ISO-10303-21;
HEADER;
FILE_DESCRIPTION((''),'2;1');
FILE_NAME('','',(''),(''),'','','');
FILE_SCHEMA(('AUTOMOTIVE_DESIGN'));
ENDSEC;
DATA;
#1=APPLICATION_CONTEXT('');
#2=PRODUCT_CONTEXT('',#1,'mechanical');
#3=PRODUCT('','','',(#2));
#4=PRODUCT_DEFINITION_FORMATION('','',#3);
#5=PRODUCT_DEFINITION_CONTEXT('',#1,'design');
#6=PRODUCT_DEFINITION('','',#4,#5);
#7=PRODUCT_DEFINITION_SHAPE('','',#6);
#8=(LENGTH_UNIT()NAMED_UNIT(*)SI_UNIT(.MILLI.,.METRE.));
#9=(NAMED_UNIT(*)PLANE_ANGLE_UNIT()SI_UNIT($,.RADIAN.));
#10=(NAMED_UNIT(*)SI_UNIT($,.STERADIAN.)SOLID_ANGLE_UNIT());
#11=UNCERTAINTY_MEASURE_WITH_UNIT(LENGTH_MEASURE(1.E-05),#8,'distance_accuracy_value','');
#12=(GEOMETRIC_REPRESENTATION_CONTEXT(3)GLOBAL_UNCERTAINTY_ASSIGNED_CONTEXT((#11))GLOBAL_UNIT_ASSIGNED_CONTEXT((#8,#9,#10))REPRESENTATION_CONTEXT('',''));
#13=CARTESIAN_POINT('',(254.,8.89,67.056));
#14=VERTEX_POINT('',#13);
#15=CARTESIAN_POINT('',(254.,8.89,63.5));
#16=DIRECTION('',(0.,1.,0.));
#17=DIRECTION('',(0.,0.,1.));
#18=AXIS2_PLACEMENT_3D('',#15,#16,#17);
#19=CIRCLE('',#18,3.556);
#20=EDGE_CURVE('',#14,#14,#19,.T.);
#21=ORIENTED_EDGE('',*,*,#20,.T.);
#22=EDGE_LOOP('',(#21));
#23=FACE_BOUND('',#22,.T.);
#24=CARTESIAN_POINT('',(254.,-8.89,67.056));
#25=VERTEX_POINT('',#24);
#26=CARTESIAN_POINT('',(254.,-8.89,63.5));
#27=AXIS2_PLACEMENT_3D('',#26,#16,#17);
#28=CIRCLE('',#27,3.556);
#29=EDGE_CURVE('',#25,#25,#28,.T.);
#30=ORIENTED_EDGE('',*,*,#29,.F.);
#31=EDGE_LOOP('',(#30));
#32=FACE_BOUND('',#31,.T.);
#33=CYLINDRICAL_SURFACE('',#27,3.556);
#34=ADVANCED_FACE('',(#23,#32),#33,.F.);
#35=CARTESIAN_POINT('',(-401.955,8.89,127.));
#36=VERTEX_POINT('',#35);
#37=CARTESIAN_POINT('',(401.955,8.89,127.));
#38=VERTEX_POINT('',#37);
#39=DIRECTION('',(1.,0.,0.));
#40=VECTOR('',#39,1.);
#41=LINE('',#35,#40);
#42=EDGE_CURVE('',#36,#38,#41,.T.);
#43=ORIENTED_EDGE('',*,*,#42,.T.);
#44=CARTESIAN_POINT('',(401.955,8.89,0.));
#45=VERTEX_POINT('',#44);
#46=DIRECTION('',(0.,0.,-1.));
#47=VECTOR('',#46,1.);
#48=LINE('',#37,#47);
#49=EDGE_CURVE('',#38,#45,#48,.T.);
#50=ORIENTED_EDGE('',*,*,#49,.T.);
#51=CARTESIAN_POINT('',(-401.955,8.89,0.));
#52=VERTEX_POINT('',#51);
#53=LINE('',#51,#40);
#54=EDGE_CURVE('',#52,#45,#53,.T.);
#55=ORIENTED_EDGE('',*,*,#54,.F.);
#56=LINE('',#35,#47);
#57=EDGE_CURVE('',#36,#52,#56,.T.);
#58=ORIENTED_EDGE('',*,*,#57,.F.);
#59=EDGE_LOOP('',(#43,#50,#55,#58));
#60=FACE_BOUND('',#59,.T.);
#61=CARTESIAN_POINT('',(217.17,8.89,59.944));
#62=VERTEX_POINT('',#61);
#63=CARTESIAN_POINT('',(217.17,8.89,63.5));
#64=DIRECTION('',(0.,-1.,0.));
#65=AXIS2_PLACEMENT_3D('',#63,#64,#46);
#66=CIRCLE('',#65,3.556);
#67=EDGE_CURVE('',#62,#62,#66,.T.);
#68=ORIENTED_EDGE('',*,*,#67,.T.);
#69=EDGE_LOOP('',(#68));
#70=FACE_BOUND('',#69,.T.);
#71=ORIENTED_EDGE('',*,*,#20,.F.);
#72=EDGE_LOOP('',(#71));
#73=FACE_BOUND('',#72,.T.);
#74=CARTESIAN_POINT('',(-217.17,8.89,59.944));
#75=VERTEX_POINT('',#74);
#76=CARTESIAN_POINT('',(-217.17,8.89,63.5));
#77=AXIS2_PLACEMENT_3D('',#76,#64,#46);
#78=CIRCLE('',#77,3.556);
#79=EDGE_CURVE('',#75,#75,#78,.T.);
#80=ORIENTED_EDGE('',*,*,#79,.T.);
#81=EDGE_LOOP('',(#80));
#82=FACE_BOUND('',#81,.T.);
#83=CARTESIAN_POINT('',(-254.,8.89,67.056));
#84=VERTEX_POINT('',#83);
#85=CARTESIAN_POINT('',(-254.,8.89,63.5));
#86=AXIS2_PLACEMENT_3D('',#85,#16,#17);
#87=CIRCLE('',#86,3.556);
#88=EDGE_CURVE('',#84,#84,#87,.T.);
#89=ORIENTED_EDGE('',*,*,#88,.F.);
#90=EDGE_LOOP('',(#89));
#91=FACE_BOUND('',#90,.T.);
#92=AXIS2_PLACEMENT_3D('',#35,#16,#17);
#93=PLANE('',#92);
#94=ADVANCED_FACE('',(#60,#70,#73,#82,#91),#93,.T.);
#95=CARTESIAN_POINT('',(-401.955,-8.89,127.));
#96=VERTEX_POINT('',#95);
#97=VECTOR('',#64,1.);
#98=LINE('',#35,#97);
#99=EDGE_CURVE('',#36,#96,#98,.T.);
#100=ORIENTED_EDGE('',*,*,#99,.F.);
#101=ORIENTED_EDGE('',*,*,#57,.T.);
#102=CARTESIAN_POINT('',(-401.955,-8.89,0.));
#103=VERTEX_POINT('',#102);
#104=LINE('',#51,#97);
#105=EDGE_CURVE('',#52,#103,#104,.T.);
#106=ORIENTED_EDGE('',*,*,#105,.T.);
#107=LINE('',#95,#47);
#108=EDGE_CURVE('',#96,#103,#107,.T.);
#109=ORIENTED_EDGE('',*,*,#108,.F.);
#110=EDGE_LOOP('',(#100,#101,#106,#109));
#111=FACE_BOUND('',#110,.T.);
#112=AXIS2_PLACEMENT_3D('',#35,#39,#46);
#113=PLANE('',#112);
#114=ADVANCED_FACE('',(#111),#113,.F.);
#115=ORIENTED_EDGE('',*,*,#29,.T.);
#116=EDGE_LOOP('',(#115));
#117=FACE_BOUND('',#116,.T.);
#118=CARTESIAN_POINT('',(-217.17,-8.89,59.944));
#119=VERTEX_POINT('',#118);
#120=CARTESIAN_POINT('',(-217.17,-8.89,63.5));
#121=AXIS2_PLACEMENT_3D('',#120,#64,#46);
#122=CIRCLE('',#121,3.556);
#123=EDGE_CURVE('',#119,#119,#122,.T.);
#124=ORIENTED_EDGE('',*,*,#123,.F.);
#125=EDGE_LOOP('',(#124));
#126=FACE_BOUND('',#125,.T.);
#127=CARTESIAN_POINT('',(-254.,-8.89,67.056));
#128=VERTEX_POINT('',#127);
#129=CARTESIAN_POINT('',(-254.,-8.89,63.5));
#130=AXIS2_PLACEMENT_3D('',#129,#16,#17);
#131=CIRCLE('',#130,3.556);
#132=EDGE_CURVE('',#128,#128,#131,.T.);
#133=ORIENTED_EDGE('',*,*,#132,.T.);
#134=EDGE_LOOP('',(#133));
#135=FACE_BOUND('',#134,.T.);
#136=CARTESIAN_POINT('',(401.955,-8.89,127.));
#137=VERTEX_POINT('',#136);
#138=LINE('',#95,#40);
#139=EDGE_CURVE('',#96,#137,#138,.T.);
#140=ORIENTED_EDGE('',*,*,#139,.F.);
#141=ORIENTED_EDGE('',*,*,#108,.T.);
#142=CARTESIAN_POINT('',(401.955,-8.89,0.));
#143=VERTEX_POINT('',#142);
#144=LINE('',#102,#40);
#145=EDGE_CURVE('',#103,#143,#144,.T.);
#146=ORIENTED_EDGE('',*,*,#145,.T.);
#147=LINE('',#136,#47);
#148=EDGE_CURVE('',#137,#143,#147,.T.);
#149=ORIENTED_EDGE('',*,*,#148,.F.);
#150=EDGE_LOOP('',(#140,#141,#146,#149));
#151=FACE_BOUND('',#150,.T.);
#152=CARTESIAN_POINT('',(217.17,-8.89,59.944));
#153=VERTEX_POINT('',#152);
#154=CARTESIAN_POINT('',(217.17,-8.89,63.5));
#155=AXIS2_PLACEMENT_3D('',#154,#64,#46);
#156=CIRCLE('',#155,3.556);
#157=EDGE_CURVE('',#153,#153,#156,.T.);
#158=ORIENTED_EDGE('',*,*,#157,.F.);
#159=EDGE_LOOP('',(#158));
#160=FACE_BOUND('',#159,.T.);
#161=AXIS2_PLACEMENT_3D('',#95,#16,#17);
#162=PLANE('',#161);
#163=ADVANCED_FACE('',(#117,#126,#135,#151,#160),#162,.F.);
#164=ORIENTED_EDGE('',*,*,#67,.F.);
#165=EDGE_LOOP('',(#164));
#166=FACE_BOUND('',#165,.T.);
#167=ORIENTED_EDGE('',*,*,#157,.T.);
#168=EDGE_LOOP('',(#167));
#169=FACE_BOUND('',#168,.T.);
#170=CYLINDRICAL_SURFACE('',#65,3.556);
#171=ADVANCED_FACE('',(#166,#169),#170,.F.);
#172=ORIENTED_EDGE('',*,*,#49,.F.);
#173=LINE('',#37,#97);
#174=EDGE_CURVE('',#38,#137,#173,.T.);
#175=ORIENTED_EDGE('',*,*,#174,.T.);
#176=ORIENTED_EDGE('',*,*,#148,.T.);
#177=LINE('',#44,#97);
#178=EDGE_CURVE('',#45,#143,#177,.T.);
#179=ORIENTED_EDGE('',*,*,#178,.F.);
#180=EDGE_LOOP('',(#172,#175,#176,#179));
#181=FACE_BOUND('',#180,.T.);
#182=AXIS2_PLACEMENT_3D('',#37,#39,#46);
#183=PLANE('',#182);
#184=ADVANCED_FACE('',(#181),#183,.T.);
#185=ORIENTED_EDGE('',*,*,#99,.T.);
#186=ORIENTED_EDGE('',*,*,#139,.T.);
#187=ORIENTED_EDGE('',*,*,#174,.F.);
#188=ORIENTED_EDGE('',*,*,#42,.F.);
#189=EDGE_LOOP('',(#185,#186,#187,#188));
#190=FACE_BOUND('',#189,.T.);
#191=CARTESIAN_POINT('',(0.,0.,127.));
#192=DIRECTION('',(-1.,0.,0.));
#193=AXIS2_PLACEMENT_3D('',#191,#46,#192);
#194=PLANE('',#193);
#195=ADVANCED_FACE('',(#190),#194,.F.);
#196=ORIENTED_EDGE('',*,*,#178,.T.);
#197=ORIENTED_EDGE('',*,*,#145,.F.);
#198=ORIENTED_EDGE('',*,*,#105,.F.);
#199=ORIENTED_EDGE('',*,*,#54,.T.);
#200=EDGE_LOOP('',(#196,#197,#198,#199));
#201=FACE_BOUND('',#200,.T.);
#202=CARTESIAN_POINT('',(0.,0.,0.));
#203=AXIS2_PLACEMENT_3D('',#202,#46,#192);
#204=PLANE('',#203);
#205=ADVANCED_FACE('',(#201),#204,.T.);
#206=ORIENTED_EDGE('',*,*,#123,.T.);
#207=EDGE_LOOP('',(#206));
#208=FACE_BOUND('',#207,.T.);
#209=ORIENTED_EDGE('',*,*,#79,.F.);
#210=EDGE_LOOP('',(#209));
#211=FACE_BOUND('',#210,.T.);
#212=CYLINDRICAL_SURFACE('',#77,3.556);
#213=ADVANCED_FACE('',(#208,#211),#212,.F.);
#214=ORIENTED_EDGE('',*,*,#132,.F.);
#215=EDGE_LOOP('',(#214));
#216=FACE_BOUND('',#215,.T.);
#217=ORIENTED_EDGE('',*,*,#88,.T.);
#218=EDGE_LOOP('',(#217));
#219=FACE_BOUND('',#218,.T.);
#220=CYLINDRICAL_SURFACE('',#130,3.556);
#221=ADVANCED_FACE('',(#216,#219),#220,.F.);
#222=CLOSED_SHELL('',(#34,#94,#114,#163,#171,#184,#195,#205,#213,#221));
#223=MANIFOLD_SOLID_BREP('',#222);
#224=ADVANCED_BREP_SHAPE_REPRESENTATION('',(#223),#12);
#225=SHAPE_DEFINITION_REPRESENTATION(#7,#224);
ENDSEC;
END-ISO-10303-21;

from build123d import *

# Parameters (mm, degrees)
SKETCH3_W           = 803.91
SKETCH3_H           = 17.78
BOSS_EXTRUDE1_DEPTH = 127
SKETCH4_R           = 3.556
CUT_EXTRUDE1_DEPTH  = 422.915809641
SKETCH5_R           = 3.556
CUT_EXTRUDE2_DEPTH  = 422.915809641


with BuildPart() as part:
    # Sketch3 → Boss-Extrude1 (new body)
    with BuildSketch(Plane.XY):
        Rectangle(SKETCH3_W, SKETCH3_H)
    extrude(amount=BOSS_EXTRUDE1_DEPTH)

    # Sketch4 → Cut-Extrude1 (cut, through all)
    with BuildSketch(Plane(origin=(0, 8.89, 0), x_dir=(1, 0, 0), z_dir=(0, 1, 0))):
        with Locations(Location((-254, -63.5, 0), (0, 0, 270))):
            Circle(SKETCH4_R)
        with Locations(Location((254, -63.5, 0), (0, 0, 270))):
            Circle(SKETCH4_R)
    extrude(amount=-CUT_EXTRUDE1_DEPTH, mode=Mode.SUBTRACT)

    # Sketch5 → Cut-Extrude2 (cut, through all)
    with BuildSketch(Plane.XZ.offset(8.89)):
        with Locations(Location((-217.17, 63.5, 0), (0, 0, 270))):
            Circle(SKETCH5_R)
        with Locations(Location((217.17, 63.5, 0), (0, 0, 270))):
            Circle(SKETCH5_R)
    extrude(amount=-CUT_EXTRUDE2_DEPTH, mode=Mode.SUBTRACT)


solid = part.part
